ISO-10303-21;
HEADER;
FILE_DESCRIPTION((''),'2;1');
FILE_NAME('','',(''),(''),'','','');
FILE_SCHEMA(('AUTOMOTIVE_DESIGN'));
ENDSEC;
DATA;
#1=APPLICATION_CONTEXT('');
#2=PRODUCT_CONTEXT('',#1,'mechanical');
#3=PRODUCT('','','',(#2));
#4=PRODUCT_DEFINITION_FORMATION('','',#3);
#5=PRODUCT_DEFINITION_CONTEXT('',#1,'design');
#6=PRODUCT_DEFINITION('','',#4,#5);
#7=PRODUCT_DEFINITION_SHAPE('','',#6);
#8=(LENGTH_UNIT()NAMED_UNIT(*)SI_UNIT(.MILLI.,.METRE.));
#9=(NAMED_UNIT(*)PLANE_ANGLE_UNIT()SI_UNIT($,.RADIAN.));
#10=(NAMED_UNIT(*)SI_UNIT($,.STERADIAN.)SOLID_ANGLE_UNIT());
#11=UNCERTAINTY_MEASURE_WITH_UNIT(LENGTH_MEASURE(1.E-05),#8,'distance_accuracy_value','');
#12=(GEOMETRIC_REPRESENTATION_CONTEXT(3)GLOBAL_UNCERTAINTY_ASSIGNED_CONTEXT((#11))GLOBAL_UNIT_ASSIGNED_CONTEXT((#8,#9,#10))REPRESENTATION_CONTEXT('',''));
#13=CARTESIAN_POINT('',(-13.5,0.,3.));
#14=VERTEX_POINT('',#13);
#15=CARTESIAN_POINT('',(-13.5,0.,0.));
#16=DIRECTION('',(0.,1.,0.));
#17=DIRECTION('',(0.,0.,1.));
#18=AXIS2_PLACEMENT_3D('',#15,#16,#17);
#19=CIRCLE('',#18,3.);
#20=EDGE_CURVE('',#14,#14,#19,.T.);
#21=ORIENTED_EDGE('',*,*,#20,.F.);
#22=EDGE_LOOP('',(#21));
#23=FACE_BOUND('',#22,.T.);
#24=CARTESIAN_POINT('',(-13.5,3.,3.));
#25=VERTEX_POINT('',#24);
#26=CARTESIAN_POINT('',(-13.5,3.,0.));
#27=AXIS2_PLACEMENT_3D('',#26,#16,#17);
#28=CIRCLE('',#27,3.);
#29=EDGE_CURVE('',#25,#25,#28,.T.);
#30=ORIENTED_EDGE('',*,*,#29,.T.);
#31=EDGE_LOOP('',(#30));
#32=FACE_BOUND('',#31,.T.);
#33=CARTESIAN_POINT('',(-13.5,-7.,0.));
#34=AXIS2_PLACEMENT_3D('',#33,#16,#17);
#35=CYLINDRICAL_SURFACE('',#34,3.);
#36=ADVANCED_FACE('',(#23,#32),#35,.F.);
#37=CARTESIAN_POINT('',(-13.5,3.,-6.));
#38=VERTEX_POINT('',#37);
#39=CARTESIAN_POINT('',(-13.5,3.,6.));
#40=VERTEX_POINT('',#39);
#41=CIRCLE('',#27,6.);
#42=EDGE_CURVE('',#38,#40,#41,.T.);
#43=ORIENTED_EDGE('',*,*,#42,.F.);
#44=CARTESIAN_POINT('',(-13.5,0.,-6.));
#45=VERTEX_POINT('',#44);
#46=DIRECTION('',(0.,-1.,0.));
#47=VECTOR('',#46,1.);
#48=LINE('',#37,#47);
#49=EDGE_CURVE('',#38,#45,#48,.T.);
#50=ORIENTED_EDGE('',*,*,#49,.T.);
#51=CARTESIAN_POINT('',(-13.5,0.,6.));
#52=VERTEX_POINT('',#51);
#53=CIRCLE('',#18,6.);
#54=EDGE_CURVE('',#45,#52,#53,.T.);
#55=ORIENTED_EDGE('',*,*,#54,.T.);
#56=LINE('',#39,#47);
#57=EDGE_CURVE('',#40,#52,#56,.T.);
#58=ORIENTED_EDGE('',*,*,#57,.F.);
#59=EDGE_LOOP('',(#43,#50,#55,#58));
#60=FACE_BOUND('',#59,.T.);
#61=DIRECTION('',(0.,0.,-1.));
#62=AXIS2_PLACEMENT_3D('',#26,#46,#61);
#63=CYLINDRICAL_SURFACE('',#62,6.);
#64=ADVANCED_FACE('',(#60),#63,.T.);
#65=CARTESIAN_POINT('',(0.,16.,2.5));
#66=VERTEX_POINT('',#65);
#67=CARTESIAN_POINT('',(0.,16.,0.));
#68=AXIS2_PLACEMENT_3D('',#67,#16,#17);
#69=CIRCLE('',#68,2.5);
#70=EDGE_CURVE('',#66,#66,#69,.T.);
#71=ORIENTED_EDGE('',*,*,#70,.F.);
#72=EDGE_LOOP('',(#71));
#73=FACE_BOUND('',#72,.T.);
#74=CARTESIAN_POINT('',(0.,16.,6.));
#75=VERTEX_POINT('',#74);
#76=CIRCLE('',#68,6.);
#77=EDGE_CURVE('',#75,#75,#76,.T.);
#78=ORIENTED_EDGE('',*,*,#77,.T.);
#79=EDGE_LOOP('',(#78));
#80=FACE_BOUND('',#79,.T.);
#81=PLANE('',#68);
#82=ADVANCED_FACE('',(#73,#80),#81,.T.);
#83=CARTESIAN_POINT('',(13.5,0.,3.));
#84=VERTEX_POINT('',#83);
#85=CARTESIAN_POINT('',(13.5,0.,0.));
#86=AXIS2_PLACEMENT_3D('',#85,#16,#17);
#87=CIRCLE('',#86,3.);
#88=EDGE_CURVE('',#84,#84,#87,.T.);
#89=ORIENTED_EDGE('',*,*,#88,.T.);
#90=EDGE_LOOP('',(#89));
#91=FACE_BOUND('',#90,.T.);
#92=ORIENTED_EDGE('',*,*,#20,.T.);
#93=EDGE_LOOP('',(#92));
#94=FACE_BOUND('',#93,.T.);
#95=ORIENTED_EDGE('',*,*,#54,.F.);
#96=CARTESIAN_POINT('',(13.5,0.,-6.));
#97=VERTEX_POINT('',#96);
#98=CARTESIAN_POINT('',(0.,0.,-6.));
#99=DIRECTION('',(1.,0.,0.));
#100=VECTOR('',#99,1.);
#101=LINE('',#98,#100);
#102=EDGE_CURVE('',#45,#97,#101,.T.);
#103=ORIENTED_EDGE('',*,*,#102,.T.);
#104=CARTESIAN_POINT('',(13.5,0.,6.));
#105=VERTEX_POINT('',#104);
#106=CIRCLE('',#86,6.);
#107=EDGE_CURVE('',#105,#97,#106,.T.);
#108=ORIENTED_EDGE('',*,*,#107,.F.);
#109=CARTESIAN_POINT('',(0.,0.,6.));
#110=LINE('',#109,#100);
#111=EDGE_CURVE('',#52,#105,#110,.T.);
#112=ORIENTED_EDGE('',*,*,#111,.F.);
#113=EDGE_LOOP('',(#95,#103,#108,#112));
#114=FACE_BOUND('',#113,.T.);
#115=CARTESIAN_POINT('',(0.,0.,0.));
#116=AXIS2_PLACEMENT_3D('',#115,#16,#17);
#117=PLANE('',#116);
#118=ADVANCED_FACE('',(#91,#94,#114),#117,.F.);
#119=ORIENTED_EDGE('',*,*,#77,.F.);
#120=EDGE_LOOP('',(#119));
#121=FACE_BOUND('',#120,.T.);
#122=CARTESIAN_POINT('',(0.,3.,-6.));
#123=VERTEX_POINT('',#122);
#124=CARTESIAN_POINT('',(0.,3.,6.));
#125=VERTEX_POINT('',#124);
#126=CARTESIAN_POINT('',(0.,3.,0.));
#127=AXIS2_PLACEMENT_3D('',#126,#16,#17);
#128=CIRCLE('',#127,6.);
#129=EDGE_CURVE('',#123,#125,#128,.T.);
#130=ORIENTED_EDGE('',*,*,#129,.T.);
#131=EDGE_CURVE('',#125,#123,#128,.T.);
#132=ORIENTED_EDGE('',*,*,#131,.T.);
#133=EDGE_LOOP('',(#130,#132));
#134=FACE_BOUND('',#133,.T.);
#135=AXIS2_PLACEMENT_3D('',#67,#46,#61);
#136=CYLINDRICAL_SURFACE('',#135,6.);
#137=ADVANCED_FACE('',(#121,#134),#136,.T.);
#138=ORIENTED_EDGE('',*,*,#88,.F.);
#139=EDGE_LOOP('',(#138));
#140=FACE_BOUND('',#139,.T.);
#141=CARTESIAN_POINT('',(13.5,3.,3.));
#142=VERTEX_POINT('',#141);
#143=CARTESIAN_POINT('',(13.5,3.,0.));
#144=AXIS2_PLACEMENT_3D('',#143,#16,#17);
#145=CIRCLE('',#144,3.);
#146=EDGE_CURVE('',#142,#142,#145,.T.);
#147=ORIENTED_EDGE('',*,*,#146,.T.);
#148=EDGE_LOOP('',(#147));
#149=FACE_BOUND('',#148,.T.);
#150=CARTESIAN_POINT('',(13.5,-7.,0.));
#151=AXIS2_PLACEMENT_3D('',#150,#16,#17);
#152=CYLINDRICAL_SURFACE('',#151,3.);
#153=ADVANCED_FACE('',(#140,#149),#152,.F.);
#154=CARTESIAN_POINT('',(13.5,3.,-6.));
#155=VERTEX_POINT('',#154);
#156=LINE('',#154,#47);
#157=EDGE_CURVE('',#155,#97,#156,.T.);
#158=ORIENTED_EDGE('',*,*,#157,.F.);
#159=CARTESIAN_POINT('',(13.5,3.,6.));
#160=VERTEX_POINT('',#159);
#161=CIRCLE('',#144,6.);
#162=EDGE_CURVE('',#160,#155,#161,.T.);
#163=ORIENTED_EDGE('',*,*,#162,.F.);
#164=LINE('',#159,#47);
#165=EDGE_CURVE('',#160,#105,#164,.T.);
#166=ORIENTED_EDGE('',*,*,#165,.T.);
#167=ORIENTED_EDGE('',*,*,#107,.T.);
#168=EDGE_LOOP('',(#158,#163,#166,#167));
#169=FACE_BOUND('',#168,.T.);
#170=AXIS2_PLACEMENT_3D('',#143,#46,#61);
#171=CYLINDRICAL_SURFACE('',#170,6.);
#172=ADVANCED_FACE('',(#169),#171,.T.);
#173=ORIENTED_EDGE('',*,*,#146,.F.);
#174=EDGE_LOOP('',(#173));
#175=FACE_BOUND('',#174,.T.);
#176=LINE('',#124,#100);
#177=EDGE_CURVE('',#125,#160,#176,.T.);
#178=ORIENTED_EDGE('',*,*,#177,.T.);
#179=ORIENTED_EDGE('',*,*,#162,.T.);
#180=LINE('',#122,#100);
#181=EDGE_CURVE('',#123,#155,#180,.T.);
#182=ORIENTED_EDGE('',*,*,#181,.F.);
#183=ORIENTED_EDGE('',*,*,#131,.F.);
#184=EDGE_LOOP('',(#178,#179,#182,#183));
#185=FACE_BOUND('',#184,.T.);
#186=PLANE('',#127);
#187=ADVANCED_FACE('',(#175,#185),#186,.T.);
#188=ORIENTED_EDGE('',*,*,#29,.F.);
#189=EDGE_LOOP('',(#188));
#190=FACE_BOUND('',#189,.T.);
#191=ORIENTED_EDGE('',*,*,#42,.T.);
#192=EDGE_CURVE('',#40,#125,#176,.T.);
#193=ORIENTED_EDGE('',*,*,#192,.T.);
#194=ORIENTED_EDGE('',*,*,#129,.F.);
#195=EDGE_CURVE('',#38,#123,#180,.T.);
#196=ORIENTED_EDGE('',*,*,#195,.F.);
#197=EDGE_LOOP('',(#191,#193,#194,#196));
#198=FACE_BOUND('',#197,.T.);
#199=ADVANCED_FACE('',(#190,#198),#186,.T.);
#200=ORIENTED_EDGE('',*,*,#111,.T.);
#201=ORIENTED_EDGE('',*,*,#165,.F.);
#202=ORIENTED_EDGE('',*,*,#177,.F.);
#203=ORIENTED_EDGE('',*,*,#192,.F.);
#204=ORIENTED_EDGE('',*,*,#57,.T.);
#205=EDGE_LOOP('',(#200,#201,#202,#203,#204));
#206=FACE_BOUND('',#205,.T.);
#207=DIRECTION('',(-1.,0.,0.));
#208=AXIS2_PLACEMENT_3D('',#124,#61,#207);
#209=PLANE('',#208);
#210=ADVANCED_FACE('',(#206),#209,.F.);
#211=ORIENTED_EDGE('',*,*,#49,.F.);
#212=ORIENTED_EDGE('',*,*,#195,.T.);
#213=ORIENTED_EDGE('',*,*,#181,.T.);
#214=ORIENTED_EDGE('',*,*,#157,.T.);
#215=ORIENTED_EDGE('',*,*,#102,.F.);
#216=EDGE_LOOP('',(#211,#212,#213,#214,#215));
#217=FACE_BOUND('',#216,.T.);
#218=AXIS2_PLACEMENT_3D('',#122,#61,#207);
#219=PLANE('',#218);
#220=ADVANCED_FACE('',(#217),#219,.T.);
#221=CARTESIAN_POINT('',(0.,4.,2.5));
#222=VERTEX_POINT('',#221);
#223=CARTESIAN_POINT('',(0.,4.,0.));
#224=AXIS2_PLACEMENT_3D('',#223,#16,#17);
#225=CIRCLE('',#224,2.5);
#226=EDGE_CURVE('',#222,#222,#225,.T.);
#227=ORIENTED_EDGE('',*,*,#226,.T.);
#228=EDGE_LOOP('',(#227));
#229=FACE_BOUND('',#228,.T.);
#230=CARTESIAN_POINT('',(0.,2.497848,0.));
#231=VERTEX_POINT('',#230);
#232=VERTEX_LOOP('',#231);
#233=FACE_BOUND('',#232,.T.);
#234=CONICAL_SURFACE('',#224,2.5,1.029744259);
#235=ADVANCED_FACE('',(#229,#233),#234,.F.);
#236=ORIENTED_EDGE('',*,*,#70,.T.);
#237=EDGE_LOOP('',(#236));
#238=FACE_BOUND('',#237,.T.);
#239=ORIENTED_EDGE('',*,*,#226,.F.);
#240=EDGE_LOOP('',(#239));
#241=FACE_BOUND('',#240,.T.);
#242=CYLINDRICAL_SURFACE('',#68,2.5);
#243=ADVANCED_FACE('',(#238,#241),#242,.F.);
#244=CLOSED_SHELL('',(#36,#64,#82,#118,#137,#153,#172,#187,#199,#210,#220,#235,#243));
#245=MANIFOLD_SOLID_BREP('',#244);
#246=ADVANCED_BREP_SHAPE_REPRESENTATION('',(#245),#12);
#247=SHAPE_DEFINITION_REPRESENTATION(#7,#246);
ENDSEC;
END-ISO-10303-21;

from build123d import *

# Parameters (mm, degrees)
SKETCH_1_R             = 6
EXTRUDE_1_DEPTH        = 3
SKETCH_2_R             = 6
EXTRUDE_2_DEPTH        = 13
HOLE_WIZARD_M6_1_D     = 5
HOLE_WIZARD_M6_1_DEPTH = 12
HOLE_WIZARD_M6_1_TIP   = 1.502151548
SKETCH_6_R             = 3
CUT_EXTRUDE_1_DEPTH    = 10


with BuildPart() as part:
    # 草图1 → 凸台-拉伸1 (new body)
    with BuildSketch(Plane(origin=(0, 0, 0), x_dir=(1, 0, 0), z_dir=(0, 1, 0))):
        with Locations((-13.5, 0)):
            Circle(SKETCH_1_R)
        with BuildLine():
            Line((13.5, 6), (-13.5, 6))
            ThreePointArc((-13.5, 6), (-9.257359313, 4.242640687), (-7.5, 0))
            ThreePointArc((-7.5, 0), (-9.257359313, -4.242640687), (-13.5, -6))
            Line((-13.5, -6), (13.5, -6))
            ThreePointArc((13.5, -6), (7.5, 0), (13.5, 6))
        make_face()
        with Locations((13.5, 0)):
            Circle(SKETCH_1_R)
        with BuildLine():
            Line((-13.5, -6), (-13.5, 6))
            ThreePointArc((-13.5, 6), (-19.5, 0), (-13.5, -6))
        make_face()
        with BuildLine():
            ThreePointArc((19.5, 0), (17.742640687, 4.242640687), (13.5, 6))
            Line((13.5, 6), (13.5, -6))
            ThreePointArc((13.5, -6), (17.742640687, -4.242640687), (19.5, 0))
        make_face()
    extrude(amount=EXTRUDE_1_DEPTH)

    # 草图2 → 凸台-拉伸2 (add)
    with BuildSketch(Plane(origin=(0, 3, 0), x_dir=(1, 0, 0), z_dir=(0, 1, 0))):
        Circle(SKETCH_2_R)
    extrude(amount=EXTRUDE_2_DEPTH)

    # M6 螺纹孔1
    with Locations(Plane(origin=(0, 16, 0), x_dir=(1, 0, 0), z_dir=(0, 1, 0))):
        with Locations((0, 0)):
            Hole(HOLE_WIZARD_M6_1_D / 2, depth=HOLE_WIZARD_M6_1_DEPTH)
            with Locations((0, 0, -(HOLE_WIZARD_M6_1_DEPTH + HOLE_WIZARD_M6_1_TIP / 2))):  # 118° drill point
                Cone(0, HOLE_WIZARD_M6_1_D / 2, HOLE_WIZARD_M6_1_TIP, mode=Mode.SUBTRACT)

    # 草图6 → 切除-拉伸1 (cut)
    with BuildSketch(Plane(origin=(0, 3, 0), x_dir=(1, 0, 0), z_dir=(0, 1, 0))):
        with Locations((-13.5, 0)):
            Circle(SKETCH_6_R)
        with Locations((13.5, 0)):
            Circle(SKETCH_6_R)
    extrude(amount=-CUT_EXTRUDE_1_DEPTH, mode=Mode.SUBTRACT)


solid = part.part
